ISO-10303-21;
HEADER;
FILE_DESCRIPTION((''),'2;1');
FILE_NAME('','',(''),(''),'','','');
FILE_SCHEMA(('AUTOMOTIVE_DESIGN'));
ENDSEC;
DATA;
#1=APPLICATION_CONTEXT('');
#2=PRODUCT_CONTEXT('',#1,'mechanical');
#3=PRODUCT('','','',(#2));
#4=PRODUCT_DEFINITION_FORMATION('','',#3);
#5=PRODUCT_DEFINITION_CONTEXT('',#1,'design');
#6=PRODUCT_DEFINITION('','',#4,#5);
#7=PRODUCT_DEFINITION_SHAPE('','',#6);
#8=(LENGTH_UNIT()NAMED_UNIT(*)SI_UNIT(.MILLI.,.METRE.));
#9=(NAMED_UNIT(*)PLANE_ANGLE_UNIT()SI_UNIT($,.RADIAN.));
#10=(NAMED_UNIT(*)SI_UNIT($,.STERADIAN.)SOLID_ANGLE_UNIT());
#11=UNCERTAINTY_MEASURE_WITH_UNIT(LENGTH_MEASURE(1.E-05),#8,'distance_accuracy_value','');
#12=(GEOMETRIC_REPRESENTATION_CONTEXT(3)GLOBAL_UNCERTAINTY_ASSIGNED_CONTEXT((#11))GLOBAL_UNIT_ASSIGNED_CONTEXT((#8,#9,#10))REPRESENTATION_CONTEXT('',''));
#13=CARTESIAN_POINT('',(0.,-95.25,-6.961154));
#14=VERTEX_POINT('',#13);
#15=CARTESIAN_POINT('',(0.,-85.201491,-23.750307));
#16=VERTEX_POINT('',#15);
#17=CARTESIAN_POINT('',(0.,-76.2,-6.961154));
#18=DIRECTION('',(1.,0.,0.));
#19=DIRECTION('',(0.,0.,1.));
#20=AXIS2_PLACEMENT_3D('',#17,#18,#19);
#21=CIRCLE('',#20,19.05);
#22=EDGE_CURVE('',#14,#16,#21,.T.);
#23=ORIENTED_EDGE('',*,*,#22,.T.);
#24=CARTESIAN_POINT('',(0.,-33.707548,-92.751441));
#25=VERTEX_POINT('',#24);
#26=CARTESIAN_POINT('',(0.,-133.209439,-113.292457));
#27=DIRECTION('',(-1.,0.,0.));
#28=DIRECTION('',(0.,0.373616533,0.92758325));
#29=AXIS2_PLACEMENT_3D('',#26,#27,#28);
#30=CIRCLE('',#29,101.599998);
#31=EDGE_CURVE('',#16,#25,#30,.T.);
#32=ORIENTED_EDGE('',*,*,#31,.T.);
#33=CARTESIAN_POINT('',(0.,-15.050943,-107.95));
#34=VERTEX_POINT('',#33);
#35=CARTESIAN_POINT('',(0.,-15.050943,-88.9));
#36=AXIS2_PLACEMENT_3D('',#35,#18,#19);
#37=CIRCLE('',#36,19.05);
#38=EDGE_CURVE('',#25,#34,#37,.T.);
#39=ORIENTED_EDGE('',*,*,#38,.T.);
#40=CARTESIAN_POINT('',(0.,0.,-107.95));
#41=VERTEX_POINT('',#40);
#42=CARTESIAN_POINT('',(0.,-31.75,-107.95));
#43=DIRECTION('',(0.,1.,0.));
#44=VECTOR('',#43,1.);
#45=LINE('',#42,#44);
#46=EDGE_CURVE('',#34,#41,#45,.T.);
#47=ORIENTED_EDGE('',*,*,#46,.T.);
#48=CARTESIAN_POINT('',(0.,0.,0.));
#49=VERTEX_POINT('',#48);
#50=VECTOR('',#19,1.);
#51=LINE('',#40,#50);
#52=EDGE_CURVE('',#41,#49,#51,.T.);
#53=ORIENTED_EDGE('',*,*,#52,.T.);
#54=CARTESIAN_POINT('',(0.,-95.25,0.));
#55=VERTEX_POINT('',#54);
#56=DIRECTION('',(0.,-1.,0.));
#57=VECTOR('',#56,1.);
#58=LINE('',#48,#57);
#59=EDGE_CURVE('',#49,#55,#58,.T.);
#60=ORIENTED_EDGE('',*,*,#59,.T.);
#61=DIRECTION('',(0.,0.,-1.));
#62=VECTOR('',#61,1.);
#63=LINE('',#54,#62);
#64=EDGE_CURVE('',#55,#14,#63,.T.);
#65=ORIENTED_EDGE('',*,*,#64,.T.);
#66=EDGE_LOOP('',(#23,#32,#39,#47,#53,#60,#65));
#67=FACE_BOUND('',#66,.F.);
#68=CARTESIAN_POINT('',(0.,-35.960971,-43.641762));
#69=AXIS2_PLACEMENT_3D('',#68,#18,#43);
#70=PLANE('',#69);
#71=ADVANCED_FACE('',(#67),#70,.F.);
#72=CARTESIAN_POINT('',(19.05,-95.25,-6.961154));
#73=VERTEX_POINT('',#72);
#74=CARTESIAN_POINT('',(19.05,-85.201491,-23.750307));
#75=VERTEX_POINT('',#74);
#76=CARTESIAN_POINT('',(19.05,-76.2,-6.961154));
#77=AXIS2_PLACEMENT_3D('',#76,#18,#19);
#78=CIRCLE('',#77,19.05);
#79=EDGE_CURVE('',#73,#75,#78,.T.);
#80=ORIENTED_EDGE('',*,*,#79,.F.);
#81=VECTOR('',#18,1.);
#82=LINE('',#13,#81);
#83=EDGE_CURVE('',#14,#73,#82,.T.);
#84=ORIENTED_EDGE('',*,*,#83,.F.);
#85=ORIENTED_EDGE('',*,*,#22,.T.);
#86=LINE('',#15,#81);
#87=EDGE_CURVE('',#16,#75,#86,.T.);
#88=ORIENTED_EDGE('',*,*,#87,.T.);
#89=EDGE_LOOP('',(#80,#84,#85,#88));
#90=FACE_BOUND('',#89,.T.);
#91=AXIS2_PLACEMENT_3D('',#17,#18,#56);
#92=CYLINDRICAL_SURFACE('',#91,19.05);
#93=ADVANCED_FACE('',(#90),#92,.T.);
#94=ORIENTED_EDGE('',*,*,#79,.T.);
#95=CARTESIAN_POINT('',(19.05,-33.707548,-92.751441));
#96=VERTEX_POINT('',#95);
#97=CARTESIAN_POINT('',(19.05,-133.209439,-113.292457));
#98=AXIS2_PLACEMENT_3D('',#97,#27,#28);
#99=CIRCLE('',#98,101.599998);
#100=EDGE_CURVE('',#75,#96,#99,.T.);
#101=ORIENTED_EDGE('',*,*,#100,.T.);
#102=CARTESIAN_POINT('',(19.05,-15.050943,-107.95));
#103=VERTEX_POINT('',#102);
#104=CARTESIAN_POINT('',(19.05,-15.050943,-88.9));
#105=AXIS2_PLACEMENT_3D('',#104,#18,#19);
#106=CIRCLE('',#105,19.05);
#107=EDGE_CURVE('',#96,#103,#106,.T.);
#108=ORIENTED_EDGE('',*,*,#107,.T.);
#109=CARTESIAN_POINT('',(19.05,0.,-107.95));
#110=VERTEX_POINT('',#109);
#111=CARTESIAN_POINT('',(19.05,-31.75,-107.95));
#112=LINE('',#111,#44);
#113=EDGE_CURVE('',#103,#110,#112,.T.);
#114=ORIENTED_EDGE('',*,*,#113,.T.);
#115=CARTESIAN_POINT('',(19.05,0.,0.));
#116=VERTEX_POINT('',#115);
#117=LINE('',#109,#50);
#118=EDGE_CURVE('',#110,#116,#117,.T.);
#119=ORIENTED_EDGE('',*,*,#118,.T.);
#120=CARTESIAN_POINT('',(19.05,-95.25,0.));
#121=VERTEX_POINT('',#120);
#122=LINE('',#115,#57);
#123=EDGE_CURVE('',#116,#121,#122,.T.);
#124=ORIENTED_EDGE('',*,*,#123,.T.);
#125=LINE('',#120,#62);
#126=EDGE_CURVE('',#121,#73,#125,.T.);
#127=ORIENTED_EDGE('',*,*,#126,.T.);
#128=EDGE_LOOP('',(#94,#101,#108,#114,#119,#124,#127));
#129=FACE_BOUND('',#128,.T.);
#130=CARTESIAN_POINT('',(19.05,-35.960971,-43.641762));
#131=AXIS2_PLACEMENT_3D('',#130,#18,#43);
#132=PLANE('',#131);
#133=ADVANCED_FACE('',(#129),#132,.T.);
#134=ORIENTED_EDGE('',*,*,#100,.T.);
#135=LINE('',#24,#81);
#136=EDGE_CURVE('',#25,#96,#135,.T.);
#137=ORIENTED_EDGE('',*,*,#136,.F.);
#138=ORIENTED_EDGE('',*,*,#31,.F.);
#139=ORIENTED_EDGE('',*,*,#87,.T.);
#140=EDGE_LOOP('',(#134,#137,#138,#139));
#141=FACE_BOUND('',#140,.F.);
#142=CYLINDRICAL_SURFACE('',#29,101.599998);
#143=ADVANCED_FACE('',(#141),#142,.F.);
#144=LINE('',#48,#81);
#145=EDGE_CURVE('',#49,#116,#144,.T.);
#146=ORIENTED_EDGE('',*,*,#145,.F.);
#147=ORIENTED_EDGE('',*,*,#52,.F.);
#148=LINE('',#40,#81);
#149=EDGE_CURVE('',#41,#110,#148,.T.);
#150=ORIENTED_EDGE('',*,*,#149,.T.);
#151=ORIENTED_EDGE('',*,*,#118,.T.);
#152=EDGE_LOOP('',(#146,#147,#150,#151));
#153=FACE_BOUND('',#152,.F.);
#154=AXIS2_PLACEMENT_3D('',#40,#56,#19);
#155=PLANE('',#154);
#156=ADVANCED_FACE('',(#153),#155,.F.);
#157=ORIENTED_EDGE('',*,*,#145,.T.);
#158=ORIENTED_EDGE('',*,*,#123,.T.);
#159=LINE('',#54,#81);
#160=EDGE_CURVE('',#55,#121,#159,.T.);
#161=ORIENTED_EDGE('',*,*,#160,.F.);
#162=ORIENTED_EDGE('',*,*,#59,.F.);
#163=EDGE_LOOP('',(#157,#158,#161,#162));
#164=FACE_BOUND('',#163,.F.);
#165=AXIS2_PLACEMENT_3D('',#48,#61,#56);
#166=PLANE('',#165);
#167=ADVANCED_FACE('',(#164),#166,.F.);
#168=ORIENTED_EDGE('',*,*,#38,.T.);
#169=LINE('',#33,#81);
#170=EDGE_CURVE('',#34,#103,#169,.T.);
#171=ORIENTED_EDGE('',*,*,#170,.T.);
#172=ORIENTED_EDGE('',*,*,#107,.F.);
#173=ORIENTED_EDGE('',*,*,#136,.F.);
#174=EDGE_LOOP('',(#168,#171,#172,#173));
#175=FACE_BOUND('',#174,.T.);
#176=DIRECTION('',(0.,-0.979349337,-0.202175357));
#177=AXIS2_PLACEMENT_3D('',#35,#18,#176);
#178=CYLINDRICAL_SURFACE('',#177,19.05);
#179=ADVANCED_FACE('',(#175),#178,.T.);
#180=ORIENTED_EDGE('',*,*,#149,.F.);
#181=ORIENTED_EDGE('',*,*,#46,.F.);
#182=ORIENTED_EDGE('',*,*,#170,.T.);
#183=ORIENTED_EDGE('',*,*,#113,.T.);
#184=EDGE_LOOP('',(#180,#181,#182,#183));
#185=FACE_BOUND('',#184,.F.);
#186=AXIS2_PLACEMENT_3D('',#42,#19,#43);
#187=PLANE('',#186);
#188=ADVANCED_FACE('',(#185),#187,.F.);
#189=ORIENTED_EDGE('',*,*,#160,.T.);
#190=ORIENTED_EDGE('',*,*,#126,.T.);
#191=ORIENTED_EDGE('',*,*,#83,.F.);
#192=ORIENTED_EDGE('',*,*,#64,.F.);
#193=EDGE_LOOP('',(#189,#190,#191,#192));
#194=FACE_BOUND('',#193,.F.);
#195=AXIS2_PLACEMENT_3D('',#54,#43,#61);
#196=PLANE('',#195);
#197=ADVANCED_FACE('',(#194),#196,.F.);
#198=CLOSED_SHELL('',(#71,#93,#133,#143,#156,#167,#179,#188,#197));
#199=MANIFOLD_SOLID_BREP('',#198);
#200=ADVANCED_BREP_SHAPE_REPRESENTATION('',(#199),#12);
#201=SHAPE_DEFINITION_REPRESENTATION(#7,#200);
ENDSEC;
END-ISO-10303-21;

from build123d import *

# Parameters (mm, degrees)
F1_DEPTH = 19.05
F2_R     = 19.05


with BuildPart() as f1:
    # F0 (on Right) → F1 (new body)
    with BuildSketch(Plane.YZ):
        with BuildLine():
            Line((0, -107.95), (0, 0))
            Line((0, 0), (-95.25, 0))
            Line((-95.25, 0), (-95.25, -19.05))
            ThreePointArc((-95.25, -19.05), (-50.53412, -54.238657), (-31.75, -107.95))
            Line((-31.75, -107.95), (0, -107.95))
        make_face()
    extrude(amount=F1_DEPTH)

    # F2
    f2_edges = [f1.edges().sort_by_distance(p)[0] for p in [
        (9.525, -95.25, -19.05),
        (9.525, -31.75, -107.95),
    ]]
    fillet(f2_edges, radius=F2_R)


solid = f1.part
